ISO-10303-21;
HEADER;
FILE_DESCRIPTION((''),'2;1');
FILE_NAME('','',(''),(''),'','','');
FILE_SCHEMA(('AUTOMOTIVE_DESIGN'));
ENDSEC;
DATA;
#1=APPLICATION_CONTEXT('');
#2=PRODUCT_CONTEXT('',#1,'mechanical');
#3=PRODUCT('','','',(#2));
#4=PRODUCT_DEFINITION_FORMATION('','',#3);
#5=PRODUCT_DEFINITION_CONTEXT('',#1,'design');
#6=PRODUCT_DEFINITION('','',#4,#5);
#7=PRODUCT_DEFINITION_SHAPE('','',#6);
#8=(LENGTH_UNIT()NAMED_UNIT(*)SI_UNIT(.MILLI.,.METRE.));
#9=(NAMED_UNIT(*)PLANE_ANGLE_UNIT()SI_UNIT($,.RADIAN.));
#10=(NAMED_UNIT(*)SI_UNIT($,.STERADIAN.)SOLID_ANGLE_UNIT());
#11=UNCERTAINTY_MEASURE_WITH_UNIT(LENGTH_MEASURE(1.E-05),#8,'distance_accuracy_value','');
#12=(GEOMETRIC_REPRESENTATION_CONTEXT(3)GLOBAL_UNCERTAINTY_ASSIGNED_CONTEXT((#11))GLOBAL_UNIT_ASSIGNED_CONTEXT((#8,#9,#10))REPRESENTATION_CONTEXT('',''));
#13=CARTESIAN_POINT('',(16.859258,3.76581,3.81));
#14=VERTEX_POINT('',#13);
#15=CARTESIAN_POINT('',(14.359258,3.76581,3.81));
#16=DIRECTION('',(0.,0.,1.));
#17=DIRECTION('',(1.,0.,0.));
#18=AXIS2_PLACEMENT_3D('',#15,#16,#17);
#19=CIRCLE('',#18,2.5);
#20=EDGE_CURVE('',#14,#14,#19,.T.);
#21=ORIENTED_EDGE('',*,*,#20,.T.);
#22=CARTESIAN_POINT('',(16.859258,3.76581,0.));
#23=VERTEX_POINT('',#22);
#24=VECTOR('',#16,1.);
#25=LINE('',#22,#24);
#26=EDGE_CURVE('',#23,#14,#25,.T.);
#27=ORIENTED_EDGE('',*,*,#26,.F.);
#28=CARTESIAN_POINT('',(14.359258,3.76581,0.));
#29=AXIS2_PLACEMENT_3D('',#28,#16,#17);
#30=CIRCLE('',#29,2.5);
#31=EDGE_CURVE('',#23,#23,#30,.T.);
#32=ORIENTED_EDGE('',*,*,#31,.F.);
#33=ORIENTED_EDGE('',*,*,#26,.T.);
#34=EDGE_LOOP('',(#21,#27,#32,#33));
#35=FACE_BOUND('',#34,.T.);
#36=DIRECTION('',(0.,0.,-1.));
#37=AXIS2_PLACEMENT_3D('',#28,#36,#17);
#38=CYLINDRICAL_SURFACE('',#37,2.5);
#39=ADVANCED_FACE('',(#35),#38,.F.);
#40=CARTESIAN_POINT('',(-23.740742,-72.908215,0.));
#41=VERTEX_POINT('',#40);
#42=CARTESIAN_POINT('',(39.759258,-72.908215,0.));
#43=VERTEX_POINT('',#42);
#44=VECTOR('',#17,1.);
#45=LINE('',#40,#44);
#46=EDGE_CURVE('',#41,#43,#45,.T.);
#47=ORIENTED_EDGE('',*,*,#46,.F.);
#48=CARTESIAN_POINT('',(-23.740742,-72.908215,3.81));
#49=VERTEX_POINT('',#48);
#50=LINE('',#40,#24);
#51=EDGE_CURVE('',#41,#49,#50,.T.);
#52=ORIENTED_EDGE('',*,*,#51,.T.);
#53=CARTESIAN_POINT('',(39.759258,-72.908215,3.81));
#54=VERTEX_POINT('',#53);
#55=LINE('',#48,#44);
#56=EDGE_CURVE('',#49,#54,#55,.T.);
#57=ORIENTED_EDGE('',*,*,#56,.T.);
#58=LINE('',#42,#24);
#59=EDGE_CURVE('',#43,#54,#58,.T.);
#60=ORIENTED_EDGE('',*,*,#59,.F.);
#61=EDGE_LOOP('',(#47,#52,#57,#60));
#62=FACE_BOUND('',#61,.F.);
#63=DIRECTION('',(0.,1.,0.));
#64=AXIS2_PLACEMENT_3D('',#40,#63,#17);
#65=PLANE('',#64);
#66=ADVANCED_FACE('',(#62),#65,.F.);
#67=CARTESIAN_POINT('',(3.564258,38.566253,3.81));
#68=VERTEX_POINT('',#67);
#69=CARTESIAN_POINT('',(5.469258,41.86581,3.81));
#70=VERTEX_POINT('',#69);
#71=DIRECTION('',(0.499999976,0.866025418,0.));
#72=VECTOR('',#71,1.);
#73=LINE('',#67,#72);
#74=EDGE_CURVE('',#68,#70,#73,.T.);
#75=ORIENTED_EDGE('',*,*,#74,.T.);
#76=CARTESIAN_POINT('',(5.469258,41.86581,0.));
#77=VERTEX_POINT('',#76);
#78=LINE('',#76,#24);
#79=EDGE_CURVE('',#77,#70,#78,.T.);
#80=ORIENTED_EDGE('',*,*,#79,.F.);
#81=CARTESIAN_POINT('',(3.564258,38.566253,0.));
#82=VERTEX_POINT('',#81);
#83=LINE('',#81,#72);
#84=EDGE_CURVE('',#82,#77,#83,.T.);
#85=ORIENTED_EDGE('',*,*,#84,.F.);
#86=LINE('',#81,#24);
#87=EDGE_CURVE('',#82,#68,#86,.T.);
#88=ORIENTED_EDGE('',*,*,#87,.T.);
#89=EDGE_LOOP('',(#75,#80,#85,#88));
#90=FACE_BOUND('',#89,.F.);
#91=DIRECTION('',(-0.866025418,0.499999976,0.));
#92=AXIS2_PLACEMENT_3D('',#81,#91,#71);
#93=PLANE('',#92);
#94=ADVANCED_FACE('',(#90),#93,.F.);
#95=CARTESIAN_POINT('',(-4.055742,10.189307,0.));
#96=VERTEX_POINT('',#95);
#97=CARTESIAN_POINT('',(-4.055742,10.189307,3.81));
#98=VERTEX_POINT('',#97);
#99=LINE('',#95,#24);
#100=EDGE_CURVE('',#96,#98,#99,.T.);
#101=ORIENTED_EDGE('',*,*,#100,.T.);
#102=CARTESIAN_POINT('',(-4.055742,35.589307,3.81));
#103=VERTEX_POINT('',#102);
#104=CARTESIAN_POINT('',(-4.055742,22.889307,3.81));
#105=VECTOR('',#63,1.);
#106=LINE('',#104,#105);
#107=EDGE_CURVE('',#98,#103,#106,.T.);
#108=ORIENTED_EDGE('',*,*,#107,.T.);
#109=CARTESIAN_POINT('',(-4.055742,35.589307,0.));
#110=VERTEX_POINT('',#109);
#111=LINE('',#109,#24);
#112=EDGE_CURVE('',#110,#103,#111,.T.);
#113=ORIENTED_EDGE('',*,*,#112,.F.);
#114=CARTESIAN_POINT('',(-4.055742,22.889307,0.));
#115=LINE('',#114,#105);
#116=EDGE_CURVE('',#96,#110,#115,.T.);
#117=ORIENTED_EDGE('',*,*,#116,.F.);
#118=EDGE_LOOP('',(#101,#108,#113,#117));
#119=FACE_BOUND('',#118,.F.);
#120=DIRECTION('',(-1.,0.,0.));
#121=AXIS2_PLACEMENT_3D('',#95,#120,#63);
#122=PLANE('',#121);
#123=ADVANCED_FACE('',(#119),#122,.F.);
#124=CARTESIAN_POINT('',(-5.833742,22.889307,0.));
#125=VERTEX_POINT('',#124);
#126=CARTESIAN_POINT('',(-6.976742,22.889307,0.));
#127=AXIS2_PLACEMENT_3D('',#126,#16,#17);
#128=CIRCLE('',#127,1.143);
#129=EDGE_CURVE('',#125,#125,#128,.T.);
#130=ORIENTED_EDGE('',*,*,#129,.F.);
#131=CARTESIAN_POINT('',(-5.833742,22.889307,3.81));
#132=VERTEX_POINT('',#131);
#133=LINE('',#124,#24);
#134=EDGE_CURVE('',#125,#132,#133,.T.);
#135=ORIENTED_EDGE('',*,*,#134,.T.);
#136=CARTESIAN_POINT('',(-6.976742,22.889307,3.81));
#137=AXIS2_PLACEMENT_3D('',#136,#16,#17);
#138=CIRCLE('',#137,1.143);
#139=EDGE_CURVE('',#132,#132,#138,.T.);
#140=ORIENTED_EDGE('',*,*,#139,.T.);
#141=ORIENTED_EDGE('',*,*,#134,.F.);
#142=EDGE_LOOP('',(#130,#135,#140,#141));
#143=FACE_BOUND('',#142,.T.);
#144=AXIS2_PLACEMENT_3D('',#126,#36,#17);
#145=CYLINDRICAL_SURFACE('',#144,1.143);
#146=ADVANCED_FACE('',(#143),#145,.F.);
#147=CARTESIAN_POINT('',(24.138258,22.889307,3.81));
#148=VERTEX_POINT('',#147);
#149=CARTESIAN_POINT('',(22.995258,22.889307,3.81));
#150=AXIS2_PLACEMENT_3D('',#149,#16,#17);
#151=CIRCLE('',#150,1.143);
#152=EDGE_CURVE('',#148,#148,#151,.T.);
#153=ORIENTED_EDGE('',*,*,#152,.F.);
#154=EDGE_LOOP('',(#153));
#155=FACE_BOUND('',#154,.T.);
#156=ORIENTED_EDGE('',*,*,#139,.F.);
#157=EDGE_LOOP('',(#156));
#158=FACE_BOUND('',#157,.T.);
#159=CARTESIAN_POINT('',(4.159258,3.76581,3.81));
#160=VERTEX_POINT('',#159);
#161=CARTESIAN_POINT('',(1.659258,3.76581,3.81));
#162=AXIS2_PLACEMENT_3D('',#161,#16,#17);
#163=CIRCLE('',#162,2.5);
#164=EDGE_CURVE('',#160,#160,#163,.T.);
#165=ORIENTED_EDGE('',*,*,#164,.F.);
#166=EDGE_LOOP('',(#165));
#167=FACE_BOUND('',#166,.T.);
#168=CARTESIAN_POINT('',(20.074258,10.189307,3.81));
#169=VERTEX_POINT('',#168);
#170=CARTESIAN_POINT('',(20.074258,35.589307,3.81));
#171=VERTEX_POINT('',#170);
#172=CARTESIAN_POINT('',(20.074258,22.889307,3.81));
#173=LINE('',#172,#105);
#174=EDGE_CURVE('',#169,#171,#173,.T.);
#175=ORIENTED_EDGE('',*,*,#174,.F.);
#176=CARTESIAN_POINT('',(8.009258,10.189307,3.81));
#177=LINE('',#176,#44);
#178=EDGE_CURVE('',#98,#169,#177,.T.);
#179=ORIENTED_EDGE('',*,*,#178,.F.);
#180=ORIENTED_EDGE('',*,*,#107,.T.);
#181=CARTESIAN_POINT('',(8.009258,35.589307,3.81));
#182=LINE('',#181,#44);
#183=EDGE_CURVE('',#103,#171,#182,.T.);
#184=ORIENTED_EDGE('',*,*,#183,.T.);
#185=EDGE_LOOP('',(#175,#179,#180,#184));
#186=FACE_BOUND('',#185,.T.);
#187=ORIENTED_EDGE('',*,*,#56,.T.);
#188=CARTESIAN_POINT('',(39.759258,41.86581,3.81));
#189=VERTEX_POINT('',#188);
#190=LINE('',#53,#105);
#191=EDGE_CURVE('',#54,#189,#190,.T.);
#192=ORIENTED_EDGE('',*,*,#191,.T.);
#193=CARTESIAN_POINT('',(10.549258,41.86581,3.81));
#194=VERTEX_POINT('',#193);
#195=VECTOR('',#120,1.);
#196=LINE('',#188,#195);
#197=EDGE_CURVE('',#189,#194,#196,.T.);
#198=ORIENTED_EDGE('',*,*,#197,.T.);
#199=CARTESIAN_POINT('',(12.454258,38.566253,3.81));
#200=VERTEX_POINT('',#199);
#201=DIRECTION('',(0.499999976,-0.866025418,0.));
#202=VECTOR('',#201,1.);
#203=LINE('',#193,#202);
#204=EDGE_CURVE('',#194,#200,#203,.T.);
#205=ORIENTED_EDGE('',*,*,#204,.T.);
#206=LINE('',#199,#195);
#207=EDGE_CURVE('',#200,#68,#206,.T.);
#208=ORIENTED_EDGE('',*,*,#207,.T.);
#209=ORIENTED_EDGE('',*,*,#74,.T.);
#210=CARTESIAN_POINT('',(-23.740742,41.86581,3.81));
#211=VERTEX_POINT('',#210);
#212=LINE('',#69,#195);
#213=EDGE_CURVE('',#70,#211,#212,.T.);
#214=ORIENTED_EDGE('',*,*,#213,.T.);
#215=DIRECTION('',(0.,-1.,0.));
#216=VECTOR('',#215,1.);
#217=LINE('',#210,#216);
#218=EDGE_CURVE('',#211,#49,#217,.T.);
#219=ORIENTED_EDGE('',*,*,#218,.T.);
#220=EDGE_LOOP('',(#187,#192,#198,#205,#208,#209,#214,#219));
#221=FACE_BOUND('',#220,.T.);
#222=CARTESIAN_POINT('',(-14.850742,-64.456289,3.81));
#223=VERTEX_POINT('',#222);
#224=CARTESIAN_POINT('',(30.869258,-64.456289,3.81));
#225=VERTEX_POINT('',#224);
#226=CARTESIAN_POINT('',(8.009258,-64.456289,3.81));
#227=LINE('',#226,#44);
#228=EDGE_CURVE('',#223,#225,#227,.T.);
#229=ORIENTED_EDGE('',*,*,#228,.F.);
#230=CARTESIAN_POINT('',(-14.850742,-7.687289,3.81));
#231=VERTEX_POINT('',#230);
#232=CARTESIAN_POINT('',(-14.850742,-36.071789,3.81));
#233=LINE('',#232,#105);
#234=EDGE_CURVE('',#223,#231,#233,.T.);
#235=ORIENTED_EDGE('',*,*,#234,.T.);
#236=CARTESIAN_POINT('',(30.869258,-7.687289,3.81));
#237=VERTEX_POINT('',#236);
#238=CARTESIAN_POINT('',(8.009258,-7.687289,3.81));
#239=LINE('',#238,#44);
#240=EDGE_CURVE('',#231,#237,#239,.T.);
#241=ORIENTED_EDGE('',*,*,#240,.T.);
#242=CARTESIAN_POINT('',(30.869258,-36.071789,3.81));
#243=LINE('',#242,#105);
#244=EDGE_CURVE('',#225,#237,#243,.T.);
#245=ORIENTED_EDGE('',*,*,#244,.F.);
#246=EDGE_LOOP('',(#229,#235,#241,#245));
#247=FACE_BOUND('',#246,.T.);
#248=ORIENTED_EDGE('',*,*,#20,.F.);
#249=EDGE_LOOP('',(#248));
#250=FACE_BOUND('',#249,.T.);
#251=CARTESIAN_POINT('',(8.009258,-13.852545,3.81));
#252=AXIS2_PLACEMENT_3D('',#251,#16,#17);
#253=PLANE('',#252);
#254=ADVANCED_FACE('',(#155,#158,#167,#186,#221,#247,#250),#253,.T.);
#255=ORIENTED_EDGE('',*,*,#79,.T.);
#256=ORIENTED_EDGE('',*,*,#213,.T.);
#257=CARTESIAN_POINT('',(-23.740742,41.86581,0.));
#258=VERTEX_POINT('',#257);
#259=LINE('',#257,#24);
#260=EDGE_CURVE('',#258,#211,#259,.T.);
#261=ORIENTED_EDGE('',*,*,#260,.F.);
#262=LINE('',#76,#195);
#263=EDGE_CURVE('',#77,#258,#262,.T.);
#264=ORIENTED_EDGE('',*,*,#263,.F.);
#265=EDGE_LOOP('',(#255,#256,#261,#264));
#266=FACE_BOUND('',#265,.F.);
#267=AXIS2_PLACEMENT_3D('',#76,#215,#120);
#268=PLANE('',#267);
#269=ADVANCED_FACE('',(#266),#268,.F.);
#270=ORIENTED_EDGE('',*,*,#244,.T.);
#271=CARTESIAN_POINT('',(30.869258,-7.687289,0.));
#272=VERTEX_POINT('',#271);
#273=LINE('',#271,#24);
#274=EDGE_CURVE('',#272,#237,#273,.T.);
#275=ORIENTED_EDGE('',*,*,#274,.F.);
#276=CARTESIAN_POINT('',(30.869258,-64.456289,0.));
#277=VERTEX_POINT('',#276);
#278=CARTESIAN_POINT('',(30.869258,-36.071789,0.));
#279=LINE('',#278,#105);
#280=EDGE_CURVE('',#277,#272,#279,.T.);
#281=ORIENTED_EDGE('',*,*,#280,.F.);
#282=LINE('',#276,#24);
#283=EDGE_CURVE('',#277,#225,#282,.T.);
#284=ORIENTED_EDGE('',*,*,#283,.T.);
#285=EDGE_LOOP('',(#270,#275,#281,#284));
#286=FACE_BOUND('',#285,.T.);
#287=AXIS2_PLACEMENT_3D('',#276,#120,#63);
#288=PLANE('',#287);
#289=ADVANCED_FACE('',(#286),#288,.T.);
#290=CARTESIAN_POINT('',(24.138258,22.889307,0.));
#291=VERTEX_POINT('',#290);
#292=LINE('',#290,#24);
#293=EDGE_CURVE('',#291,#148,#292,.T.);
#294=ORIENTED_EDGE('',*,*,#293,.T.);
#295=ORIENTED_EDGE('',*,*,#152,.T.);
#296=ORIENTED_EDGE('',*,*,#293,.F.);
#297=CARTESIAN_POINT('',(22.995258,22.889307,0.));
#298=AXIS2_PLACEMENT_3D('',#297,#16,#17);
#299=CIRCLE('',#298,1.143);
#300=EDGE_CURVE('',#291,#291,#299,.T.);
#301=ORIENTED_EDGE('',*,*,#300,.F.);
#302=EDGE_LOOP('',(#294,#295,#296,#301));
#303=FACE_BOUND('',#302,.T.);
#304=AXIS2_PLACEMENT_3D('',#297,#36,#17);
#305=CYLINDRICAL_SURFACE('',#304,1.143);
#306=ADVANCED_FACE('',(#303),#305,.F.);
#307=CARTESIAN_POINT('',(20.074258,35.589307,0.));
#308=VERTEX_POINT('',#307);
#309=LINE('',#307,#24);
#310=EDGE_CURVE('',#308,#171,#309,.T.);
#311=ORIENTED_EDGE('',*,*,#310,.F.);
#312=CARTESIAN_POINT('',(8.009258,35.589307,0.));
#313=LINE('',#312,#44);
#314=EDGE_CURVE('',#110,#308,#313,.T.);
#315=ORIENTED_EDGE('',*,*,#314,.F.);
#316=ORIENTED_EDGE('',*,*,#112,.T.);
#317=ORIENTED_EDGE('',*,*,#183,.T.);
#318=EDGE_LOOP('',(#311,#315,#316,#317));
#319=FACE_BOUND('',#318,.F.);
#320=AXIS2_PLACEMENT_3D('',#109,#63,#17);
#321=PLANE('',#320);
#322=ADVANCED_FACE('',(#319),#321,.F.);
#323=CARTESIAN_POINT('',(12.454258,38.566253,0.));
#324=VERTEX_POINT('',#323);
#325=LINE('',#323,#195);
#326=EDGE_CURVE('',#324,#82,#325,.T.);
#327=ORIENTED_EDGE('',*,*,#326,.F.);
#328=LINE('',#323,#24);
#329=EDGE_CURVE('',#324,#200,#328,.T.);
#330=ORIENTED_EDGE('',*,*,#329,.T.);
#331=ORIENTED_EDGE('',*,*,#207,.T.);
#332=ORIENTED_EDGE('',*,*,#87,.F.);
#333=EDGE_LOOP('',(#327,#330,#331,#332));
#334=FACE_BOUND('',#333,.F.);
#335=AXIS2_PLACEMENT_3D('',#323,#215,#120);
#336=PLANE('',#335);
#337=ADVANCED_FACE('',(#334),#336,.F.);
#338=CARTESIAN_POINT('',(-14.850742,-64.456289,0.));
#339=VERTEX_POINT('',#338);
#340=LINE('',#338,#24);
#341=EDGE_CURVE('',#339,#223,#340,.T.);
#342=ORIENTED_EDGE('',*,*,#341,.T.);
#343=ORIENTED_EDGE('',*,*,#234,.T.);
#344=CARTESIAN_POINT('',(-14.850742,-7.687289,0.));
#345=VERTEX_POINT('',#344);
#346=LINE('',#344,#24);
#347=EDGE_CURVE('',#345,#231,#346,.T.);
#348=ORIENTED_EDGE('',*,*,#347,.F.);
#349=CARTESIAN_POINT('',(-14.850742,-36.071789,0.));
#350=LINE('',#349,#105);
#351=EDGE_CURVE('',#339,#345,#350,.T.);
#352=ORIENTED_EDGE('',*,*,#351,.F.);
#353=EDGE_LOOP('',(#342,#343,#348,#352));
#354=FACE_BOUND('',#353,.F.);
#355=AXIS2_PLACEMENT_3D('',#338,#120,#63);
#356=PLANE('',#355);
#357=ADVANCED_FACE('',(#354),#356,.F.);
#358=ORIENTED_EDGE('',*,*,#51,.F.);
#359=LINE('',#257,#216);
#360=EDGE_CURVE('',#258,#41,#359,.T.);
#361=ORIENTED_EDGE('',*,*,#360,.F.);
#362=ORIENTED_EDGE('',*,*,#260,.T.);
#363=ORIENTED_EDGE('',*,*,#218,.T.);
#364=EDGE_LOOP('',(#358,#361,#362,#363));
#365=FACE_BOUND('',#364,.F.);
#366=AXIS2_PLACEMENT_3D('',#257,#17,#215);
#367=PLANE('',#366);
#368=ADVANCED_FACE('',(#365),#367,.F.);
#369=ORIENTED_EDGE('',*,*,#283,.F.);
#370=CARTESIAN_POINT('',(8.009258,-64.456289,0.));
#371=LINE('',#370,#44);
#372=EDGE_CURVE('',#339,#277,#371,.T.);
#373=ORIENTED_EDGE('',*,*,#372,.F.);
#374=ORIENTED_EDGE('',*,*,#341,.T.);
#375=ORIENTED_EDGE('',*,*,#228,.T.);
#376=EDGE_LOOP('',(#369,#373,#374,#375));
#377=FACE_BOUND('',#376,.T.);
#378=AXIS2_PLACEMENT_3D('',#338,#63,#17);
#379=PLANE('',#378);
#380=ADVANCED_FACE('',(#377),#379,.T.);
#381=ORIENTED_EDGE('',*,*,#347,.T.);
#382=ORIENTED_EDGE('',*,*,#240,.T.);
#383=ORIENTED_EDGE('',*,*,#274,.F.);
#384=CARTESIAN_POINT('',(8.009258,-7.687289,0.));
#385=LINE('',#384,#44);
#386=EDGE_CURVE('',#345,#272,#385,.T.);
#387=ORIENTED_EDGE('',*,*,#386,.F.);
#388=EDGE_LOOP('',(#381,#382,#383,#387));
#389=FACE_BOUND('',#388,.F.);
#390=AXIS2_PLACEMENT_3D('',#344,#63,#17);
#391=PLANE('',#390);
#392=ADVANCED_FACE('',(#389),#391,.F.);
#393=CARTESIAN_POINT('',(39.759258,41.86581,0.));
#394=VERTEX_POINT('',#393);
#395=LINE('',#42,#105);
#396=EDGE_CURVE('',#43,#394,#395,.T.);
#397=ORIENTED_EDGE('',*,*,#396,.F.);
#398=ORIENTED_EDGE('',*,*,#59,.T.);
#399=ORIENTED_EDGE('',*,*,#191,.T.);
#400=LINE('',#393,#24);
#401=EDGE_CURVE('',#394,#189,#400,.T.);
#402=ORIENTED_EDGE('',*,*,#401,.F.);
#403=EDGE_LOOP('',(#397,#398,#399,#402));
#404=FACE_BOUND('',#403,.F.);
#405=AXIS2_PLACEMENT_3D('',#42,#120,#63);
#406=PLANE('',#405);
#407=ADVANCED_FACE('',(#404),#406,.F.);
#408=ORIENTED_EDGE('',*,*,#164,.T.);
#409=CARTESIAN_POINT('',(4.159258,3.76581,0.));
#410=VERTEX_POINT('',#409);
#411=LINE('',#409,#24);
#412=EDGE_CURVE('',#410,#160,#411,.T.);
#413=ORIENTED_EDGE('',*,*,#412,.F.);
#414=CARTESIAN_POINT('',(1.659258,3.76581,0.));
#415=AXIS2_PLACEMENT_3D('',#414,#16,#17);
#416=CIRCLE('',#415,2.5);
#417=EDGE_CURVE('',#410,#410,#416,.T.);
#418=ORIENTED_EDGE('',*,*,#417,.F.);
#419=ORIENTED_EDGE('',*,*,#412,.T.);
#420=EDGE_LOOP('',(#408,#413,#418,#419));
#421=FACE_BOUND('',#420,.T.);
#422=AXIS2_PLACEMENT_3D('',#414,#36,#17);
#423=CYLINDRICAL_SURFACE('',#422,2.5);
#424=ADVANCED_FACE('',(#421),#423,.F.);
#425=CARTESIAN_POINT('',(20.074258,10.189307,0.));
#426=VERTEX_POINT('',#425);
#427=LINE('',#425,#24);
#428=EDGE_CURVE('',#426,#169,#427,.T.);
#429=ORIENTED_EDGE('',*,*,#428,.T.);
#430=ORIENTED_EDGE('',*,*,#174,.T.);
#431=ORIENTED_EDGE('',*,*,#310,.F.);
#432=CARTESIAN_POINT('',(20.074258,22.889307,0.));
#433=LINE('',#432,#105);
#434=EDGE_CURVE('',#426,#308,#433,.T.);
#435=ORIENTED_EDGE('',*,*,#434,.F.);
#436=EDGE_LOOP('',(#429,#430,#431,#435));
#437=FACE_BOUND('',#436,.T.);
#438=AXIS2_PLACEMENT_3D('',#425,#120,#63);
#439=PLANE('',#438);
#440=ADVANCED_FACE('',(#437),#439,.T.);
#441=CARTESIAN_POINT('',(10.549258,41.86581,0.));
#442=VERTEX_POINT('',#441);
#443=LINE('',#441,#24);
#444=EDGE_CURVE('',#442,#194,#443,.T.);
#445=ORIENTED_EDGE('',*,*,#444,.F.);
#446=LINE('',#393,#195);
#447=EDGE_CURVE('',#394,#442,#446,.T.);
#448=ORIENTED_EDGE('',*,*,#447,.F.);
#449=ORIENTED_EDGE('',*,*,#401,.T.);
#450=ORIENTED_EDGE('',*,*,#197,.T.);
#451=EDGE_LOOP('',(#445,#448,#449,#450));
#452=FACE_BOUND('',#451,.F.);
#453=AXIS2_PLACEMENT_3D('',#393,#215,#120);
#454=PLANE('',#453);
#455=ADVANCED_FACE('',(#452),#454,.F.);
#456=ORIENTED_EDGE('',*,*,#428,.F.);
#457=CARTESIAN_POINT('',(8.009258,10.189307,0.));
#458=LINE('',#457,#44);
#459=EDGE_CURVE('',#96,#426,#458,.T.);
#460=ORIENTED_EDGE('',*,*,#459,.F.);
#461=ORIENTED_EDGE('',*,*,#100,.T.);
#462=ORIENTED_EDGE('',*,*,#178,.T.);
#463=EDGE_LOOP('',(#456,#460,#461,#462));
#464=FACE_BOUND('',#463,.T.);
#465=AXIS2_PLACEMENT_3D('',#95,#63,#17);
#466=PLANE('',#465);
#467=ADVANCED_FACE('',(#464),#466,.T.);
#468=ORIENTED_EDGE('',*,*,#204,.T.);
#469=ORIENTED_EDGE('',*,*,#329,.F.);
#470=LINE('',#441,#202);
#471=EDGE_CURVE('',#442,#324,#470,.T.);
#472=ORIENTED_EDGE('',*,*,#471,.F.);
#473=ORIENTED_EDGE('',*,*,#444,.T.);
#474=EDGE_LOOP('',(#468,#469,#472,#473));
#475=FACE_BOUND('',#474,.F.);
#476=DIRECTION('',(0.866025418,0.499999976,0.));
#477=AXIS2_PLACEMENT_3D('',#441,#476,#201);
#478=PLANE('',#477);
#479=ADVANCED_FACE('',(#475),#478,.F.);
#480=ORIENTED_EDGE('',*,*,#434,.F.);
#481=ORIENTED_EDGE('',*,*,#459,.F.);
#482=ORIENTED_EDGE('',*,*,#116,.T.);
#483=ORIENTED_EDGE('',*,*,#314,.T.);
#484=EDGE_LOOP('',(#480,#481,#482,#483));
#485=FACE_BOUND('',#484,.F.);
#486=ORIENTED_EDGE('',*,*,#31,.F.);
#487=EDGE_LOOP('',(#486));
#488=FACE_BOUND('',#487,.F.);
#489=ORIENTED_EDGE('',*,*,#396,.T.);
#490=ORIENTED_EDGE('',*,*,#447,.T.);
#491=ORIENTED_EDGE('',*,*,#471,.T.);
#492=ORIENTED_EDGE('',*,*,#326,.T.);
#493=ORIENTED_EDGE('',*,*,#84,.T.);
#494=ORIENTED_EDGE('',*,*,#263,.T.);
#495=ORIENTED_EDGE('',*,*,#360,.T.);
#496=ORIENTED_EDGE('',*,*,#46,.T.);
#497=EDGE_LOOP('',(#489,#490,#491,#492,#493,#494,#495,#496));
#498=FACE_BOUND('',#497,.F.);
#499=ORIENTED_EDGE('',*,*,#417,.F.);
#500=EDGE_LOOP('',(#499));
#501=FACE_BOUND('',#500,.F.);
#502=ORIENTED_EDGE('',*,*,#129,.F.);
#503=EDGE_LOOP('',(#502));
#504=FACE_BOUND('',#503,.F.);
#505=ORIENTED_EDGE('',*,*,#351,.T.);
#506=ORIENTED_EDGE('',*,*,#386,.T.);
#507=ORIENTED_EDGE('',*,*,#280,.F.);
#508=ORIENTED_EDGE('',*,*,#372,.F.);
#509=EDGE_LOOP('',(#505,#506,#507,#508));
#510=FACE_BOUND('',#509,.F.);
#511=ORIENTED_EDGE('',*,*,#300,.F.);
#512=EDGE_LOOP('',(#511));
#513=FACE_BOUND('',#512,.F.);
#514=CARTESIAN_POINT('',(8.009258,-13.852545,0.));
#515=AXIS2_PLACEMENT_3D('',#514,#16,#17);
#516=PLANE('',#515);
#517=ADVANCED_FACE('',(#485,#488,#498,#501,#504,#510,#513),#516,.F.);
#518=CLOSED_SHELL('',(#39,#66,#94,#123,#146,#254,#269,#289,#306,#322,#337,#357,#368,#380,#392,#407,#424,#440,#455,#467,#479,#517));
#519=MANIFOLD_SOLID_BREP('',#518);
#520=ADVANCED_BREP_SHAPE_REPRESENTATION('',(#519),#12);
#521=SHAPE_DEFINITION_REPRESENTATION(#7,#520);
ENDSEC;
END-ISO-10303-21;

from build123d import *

# Parameters (mm, degrees)
F0_W     = 45.72
F0_H     = 56.769
F0_R     = 2.5
F0_R_2   = 1.143
F0_W_2   = 24.13
F0_H_2   = 25.4
F1_DEPTH = 3.81


with BuildPart() as f1:
    # F0 (on Top) → F1 (new body)
    with BuildSketch(Plane.XY):
        Polygon((5.469258, 41.86581), (-17.390742, 41.86581), (-23.740742, 41.86581), (-23.740742, -47.508215), (-23.740742, -72.908215), (39.759258, -72.908215), (39.759258, 41.86581), (33.409258, 41.86581), (10.549258, 41.86581), (12.454258, 38.566253), (3.564258, 38.566253), align=None)
        with Locations((8.009258, -36.071789)):
            Rectangle(F0_W, F0_H, mode=Mode.SUBTRACT)
        with Locations((1.659258, 3.76581)):
            Circle(F0_R, mode=Mode.SUBTRACT)
        with Locations((-6.976742, 22.889307)):
            Circle(F0_R_2, mode=Mode.SUBTRACT)
        with Locations((8.009258, 22.889307)):
            Rectangle(F0_W_2, F0_H_2, mode=Mode.SUBTRACT)
        with Locations((14.359258, 3.76581)):
            Circle(F0_R, mode=Mode.SUBTRACT)
        with Locations((22.995258, 22.889307)):
            Circle(F0_R_2, mode=Mode.SUBTRACT)
    extrude(amount=F1_DEPTH)


solid = f1.part
